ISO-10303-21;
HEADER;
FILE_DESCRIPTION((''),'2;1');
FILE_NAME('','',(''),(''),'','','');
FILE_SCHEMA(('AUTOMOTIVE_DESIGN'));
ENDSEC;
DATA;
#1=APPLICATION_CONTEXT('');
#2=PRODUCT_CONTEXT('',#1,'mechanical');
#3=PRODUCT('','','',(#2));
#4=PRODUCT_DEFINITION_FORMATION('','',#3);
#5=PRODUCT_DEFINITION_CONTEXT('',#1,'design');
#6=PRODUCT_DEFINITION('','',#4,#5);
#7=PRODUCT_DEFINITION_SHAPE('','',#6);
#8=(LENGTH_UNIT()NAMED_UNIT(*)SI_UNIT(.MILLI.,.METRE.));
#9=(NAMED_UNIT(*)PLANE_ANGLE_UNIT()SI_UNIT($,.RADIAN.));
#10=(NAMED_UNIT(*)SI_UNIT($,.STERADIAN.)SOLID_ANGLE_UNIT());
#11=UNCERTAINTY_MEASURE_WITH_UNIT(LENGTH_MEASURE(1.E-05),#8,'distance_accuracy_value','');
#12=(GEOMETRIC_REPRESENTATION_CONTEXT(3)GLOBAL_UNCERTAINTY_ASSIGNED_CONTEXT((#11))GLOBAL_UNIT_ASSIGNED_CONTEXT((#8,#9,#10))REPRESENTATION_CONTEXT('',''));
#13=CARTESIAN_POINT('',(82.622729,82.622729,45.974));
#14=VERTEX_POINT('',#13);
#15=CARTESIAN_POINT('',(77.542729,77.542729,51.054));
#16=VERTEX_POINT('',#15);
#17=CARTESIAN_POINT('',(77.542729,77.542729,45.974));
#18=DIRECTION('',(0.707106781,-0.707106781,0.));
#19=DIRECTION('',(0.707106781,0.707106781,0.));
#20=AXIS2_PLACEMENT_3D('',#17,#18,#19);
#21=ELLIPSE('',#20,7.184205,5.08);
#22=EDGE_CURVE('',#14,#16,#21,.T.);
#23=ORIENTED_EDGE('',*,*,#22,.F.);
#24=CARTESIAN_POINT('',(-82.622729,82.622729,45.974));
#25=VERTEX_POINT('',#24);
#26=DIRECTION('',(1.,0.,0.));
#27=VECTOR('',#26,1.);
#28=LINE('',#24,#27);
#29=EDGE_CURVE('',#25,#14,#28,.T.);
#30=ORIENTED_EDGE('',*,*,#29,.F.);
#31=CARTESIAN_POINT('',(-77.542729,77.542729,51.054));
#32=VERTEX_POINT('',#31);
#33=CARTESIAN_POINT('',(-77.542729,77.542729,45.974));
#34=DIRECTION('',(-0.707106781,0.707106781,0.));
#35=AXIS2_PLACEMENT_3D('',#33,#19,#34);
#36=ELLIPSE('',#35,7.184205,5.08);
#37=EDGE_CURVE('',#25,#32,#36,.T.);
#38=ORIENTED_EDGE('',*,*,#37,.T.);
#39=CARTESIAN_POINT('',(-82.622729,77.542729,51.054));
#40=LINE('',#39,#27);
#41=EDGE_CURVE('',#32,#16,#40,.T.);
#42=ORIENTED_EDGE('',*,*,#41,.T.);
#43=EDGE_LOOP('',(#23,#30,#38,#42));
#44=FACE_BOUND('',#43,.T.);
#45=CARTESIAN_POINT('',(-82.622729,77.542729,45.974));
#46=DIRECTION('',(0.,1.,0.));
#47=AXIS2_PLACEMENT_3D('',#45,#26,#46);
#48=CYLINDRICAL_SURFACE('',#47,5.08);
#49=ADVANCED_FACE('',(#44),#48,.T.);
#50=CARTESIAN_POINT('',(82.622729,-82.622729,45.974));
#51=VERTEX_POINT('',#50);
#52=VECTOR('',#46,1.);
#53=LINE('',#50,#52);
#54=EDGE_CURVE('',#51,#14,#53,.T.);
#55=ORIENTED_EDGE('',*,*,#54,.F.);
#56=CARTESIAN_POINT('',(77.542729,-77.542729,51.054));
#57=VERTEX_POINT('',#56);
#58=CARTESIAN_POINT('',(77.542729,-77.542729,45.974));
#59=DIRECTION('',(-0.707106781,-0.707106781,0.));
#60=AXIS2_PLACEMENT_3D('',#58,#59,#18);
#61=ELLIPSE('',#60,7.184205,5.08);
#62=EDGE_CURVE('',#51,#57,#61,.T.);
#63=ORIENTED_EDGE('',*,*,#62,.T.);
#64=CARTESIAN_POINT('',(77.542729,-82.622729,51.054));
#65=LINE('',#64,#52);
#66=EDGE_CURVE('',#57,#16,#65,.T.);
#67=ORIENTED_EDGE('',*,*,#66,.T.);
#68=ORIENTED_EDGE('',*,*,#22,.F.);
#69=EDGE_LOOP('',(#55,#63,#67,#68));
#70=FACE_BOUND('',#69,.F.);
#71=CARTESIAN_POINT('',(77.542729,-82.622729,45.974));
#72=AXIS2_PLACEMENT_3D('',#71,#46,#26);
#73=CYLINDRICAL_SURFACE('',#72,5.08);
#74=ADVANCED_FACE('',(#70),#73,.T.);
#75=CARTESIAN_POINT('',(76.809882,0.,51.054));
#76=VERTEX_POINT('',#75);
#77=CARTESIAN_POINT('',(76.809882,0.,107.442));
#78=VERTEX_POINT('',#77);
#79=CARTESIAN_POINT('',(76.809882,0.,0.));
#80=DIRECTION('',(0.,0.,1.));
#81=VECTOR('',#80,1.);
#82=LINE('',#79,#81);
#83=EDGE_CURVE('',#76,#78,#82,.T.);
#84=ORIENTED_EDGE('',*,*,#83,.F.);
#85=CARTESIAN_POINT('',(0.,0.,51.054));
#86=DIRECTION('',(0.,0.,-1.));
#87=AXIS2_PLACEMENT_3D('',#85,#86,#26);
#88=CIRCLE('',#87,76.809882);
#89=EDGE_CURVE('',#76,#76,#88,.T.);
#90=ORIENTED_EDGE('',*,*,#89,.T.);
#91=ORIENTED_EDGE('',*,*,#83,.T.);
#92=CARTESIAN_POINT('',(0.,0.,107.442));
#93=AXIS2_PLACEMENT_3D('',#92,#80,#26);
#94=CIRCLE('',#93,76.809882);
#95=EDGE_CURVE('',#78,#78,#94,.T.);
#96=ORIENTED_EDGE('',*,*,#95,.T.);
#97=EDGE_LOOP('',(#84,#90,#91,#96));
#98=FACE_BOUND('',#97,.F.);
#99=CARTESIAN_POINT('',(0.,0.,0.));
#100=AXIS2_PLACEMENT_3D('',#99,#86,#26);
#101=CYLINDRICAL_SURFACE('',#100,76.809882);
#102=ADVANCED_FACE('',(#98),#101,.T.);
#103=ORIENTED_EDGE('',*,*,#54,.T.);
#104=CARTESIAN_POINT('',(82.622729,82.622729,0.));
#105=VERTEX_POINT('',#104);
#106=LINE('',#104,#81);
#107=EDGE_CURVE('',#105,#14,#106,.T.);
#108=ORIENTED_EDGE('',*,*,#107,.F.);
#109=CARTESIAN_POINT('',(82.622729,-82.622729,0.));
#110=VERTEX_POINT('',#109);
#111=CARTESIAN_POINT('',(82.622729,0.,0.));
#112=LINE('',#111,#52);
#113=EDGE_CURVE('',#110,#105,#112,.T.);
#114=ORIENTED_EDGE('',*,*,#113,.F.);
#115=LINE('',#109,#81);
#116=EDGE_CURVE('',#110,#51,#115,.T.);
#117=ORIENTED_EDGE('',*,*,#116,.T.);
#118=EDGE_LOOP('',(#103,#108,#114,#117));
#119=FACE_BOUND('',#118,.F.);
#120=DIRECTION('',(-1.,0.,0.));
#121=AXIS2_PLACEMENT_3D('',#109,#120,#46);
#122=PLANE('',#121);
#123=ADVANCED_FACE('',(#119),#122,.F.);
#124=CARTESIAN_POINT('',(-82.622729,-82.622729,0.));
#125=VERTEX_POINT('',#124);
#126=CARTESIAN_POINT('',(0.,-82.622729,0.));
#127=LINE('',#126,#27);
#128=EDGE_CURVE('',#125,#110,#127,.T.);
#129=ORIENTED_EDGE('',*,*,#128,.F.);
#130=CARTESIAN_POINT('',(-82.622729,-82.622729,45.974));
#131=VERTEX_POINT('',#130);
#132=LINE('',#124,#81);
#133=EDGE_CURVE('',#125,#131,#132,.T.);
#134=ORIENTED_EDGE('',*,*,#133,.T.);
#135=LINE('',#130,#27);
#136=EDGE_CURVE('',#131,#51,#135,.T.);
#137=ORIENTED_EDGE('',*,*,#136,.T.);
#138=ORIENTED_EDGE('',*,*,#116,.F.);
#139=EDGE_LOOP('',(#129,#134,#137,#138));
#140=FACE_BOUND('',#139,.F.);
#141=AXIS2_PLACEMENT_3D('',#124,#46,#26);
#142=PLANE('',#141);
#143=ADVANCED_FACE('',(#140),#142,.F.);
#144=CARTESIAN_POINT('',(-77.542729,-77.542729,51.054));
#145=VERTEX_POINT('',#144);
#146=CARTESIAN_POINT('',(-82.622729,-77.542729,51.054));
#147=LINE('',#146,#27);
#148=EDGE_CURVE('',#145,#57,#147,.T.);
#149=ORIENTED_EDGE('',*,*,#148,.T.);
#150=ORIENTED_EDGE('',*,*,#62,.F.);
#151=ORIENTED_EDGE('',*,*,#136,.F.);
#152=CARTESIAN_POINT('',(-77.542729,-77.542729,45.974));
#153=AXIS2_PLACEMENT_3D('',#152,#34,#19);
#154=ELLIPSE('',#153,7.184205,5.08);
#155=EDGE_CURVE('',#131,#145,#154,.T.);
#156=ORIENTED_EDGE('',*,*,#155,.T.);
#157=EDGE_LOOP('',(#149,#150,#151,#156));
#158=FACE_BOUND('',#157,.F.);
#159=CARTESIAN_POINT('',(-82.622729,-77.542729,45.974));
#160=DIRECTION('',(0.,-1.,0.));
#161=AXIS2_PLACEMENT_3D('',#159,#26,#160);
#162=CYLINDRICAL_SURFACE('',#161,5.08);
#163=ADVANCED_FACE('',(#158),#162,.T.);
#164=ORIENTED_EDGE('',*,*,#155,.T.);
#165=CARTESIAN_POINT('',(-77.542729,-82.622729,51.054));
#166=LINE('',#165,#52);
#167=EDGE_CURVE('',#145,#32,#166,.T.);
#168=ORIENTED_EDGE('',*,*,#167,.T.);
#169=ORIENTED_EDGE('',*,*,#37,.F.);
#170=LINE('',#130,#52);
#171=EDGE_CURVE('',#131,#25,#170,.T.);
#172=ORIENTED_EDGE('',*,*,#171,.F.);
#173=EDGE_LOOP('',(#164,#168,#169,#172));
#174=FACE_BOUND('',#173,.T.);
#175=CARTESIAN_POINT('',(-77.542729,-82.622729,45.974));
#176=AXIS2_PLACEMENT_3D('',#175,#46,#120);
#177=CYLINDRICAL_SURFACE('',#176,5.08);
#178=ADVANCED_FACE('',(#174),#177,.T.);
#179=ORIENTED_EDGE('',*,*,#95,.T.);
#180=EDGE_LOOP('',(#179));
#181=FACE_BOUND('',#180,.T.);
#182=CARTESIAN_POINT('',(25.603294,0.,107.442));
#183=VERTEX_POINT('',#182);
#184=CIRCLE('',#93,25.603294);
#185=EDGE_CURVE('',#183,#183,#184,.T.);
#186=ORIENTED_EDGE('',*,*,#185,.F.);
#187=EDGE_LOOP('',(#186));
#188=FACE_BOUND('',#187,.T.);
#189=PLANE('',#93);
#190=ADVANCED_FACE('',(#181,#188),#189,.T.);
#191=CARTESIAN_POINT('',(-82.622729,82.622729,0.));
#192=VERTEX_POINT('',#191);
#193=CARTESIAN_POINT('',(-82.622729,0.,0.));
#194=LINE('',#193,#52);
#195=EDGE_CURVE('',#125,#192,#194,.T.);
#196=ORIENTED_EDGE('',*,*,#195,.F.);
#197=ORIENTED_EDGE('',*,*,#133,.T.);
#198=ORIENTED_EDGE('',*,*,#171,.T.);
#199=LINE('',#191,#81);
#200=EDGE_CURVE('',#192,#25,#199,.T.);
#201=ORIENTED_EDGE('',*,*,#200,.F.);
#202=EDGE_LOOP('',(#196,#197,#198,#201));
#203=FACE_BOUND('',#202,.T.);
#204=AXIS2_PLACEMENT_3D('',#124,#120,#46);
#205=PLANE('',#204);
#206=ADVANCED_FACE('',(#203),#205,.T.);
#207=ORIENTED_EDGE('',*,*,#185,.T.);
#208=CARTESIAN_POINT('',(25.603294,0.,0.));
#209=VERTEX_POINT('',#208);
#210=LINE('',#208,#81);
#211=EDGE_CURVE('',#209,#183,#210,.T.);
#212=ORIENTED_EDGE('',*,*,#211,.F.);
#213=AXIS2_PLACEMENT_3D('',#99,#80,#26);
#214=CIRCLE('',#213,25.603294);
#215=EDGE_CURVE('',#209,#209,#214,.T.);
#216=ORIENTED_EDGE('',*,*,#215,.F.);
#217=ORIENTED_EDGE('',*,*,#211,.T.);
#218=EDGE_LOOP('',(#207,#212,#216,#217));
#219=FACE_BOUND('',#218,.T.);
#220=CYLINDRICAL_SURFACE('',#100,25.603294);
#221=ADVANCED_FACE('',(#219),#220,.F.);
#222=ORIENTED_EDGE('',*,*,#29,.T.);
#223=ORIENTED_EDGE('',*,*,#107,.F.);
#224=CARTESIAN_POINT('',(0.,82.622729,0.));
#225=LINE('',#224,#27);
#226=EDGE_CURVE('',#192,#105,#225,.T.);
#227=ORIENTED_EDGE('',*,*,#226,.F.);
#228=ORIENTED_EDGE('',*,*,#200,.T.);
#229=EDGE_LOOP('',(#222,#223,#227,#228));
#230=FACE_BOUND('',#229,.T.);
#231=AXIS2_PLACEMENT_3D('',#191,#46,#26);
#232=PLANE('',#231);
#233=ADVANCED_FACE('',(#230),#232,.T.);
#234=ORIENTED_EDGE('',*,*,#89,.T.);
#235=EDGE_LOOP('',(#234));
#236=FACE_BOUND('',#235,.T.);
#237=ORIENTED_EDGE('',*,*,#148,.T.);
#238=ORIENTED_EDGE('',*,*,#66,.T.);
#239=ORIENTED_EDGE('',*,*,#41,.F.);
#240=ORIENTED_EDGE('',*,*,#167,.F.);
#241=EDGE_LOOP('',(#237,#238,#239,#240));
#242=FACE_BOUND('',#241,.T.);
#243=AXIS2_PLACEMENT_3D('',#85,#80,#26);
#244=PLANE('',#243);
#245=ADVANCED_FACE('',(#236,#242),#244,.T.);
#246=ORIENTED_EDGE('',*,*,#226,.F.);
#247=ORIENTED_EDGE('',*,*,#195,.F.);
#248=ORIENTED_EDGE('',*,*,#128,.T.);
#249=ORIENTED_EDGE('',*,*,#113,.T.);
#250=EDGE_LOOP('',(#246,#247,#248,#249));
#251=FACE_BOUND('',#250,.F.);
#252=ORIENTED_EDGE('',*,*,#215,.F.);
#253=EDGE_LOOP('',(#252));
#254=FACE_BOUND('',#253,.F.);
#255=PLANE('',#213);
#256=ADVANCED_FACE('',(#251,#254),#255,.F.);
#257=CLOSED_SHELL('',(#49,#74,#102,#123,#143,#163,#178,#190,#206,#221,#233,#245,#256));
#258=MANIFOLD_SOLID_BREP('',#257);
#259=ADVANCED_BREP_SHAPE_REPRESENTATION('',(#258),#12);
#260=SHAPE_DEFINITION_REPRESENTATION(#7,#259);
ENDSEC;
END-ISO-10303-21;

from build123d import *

# Parameters (mm, degrees)
F0_W     = 165.245458
F0_H     = 165.245458
F0_R     = 25.603294
F2_DEPTH = 51.054
F3_R     = 5.08
F1_R     = 76.809882
F1_R_2   = 25.603294
F4_DEPTH = 107.442


with BuildPart() as f2:
    # F0 (on Top) → F2 (new body)
    with BuildSketch(Plane.XY):
        Rectangle(F0_W, F0_H)
        Circle(F0_R, mode=Mode.SUBTRACT)
    extrude(amount=F2_DEPTH)

    # F3
    f3_edges = [f2.edges().sort_by_distance(p)[0] for p in [
        (-82.622729, 0, 51.054),
        (0, -82.622729, 51.054),
        (82.622729, 0, 51.054),
        (0, 82.622729, 51.054),
    ]]
    fillet(f3_edges, radius=F3_R)

    # F1 (on face) → F4 (join)
    with BuildSketch(Plane.XY):
        Circle(F1_R)
        Circle(F1_R_2, mode=Mode.SUBTRACT)
    extrude(amount=F4_DEPTH)


solid = f2.part
